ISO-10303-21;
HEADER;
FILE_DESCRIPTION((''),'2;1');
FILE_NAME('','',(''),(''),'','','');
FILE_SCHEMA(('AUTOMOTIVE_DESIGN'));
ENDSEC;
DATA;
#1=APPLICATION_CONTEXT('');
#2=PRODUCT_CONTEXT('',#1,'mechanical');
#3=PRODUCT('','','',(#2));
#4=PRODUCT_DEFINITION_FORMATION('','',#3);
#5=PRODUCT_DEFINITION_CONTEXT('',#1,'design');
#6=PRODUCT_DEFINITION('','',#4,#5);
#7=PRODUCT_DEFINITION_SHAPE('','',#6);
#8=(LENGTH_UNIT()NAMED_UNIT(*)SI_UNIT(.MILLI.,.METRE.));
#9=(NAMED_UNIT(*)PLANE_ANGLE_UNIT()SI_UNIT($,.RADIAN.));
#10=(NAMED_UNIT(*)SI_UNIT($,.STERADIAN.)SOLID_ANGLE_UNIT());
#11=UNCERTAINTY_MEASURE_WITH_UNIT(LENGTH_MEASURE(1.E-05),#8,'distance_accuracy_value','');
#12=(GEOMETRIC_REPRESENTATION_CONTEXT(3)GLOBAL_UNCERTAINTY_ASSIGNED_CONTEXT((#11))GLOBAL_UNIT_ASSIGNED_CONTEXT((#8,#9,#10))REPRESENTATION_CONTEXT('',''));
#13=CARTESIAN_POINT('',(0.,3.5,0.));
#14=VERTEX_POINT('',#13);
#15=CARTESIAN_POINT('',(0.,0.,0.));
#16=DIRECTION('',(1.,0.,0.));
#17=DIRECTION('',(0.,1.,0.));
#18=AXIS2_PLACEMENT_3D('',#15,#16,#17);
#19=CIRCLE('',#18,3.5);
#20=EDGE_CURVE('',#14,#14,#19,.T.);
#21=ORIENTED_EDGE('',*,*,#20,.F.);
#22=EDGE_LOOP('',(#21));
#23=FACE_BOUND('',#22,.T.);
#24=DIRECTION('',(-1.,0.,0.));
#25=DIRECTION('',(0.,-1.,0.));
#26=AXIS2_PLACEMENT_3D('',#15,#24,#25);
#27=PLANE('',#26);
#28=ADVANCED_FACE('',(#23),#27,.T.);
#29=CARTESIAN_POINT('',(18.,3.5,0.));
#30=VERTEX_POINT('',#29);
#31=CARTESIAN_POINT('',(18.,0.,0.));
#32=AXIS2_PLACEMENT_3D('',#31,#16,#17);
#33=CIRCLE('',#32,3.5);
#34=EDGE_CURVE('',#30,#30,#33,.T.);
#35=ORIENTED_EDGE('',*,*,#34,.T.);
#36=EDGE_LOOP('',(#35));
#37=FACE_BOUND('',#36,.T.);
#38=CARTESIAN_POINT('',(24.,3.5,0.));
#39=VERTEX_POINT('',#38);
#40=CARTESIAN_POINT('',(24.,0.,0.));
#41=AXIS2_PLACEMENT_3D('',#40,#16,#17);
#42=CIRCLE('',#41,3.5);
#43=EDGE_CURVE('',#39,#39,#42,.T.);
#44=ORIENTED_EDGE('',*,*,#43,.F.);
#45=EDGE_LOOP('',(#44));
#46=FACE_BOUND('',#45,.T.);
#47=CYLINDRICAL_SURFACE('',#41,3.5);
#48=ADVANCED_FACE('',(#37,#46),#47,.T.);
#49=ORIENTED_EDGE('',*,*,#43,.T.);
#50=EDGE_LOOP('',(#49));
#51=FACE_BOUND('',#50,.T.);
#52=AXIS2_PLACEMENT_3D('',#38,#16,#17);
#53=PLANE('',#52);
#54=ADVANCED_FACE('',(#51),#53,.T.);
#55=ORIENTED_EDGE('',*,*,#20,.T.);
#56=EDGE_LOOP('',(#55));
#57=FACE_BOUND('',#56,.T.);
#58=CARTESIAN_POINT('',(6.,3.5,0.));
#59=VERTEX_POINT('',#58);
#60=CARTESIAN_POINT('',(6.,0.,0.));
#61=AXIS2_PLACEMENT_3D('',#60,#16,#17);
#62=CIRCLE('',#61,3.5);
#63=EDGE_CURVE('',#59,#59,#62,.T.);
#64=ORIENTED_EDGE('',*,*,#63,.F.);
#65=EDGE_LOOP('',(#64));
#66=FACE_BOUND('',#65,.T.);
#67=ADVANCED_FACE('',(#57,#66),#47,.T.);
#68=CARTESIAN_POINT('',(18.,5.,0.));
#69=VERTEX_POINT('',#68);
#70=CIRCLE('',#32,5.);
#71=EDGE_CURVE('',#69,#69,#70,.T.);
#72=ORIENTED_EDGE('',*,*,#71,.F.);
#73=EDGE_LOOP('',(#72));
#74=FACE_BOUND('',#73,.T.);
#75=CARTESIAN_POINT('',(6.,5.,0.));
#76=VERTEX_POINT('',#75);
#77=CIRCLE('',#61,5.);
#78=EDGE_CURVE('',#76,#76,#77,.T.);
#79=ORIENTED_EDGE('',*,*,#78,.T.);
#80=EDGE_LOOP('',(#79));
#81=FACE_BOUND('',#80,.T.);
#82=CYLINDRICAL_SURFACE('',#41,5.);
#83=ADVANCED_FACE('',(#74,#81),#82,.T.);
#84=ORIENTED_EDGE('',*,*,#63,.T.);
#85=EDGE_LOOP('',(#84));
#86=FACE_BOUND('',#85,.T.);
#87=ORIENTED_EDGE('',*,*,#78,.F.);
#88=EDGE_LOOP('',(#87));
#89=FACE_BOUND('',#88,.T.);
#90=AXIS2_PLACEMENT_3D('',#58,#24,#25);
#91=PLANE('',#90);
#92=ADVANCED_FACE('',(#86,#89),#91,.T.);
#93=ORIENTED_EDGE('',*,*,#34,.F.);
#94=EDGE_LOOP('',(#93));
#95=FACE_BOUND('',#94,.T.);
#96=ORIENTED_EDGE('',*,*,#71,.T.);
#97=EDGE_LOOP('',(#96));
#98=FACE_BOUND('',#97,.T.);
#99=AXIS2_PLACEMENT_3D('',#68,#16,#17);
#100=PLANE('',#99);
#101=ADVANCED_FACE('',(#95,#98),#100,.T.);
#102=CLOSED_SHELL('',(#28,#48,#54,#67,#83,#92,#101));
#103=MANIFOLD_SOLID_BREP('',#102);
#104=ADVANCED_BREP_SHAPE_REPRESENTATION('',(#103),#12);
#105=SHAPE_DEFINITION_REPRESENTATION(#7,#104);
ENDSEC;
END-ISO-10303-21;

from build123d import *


with BuildPart() as part:
    # Sketch1 → Revolve1 (revolve)
    with BuildSketch(Plane.XY):
        Polygon((0, 0), (0, 3.5), (6, 3.5), (6, 5), (18, 5), (18, 3.5), (24, 3.5), (24, 0), align=None)
    revolve(axis=Axis((24, 0, 0), (-1, 0, 0)))


solid = part.part
